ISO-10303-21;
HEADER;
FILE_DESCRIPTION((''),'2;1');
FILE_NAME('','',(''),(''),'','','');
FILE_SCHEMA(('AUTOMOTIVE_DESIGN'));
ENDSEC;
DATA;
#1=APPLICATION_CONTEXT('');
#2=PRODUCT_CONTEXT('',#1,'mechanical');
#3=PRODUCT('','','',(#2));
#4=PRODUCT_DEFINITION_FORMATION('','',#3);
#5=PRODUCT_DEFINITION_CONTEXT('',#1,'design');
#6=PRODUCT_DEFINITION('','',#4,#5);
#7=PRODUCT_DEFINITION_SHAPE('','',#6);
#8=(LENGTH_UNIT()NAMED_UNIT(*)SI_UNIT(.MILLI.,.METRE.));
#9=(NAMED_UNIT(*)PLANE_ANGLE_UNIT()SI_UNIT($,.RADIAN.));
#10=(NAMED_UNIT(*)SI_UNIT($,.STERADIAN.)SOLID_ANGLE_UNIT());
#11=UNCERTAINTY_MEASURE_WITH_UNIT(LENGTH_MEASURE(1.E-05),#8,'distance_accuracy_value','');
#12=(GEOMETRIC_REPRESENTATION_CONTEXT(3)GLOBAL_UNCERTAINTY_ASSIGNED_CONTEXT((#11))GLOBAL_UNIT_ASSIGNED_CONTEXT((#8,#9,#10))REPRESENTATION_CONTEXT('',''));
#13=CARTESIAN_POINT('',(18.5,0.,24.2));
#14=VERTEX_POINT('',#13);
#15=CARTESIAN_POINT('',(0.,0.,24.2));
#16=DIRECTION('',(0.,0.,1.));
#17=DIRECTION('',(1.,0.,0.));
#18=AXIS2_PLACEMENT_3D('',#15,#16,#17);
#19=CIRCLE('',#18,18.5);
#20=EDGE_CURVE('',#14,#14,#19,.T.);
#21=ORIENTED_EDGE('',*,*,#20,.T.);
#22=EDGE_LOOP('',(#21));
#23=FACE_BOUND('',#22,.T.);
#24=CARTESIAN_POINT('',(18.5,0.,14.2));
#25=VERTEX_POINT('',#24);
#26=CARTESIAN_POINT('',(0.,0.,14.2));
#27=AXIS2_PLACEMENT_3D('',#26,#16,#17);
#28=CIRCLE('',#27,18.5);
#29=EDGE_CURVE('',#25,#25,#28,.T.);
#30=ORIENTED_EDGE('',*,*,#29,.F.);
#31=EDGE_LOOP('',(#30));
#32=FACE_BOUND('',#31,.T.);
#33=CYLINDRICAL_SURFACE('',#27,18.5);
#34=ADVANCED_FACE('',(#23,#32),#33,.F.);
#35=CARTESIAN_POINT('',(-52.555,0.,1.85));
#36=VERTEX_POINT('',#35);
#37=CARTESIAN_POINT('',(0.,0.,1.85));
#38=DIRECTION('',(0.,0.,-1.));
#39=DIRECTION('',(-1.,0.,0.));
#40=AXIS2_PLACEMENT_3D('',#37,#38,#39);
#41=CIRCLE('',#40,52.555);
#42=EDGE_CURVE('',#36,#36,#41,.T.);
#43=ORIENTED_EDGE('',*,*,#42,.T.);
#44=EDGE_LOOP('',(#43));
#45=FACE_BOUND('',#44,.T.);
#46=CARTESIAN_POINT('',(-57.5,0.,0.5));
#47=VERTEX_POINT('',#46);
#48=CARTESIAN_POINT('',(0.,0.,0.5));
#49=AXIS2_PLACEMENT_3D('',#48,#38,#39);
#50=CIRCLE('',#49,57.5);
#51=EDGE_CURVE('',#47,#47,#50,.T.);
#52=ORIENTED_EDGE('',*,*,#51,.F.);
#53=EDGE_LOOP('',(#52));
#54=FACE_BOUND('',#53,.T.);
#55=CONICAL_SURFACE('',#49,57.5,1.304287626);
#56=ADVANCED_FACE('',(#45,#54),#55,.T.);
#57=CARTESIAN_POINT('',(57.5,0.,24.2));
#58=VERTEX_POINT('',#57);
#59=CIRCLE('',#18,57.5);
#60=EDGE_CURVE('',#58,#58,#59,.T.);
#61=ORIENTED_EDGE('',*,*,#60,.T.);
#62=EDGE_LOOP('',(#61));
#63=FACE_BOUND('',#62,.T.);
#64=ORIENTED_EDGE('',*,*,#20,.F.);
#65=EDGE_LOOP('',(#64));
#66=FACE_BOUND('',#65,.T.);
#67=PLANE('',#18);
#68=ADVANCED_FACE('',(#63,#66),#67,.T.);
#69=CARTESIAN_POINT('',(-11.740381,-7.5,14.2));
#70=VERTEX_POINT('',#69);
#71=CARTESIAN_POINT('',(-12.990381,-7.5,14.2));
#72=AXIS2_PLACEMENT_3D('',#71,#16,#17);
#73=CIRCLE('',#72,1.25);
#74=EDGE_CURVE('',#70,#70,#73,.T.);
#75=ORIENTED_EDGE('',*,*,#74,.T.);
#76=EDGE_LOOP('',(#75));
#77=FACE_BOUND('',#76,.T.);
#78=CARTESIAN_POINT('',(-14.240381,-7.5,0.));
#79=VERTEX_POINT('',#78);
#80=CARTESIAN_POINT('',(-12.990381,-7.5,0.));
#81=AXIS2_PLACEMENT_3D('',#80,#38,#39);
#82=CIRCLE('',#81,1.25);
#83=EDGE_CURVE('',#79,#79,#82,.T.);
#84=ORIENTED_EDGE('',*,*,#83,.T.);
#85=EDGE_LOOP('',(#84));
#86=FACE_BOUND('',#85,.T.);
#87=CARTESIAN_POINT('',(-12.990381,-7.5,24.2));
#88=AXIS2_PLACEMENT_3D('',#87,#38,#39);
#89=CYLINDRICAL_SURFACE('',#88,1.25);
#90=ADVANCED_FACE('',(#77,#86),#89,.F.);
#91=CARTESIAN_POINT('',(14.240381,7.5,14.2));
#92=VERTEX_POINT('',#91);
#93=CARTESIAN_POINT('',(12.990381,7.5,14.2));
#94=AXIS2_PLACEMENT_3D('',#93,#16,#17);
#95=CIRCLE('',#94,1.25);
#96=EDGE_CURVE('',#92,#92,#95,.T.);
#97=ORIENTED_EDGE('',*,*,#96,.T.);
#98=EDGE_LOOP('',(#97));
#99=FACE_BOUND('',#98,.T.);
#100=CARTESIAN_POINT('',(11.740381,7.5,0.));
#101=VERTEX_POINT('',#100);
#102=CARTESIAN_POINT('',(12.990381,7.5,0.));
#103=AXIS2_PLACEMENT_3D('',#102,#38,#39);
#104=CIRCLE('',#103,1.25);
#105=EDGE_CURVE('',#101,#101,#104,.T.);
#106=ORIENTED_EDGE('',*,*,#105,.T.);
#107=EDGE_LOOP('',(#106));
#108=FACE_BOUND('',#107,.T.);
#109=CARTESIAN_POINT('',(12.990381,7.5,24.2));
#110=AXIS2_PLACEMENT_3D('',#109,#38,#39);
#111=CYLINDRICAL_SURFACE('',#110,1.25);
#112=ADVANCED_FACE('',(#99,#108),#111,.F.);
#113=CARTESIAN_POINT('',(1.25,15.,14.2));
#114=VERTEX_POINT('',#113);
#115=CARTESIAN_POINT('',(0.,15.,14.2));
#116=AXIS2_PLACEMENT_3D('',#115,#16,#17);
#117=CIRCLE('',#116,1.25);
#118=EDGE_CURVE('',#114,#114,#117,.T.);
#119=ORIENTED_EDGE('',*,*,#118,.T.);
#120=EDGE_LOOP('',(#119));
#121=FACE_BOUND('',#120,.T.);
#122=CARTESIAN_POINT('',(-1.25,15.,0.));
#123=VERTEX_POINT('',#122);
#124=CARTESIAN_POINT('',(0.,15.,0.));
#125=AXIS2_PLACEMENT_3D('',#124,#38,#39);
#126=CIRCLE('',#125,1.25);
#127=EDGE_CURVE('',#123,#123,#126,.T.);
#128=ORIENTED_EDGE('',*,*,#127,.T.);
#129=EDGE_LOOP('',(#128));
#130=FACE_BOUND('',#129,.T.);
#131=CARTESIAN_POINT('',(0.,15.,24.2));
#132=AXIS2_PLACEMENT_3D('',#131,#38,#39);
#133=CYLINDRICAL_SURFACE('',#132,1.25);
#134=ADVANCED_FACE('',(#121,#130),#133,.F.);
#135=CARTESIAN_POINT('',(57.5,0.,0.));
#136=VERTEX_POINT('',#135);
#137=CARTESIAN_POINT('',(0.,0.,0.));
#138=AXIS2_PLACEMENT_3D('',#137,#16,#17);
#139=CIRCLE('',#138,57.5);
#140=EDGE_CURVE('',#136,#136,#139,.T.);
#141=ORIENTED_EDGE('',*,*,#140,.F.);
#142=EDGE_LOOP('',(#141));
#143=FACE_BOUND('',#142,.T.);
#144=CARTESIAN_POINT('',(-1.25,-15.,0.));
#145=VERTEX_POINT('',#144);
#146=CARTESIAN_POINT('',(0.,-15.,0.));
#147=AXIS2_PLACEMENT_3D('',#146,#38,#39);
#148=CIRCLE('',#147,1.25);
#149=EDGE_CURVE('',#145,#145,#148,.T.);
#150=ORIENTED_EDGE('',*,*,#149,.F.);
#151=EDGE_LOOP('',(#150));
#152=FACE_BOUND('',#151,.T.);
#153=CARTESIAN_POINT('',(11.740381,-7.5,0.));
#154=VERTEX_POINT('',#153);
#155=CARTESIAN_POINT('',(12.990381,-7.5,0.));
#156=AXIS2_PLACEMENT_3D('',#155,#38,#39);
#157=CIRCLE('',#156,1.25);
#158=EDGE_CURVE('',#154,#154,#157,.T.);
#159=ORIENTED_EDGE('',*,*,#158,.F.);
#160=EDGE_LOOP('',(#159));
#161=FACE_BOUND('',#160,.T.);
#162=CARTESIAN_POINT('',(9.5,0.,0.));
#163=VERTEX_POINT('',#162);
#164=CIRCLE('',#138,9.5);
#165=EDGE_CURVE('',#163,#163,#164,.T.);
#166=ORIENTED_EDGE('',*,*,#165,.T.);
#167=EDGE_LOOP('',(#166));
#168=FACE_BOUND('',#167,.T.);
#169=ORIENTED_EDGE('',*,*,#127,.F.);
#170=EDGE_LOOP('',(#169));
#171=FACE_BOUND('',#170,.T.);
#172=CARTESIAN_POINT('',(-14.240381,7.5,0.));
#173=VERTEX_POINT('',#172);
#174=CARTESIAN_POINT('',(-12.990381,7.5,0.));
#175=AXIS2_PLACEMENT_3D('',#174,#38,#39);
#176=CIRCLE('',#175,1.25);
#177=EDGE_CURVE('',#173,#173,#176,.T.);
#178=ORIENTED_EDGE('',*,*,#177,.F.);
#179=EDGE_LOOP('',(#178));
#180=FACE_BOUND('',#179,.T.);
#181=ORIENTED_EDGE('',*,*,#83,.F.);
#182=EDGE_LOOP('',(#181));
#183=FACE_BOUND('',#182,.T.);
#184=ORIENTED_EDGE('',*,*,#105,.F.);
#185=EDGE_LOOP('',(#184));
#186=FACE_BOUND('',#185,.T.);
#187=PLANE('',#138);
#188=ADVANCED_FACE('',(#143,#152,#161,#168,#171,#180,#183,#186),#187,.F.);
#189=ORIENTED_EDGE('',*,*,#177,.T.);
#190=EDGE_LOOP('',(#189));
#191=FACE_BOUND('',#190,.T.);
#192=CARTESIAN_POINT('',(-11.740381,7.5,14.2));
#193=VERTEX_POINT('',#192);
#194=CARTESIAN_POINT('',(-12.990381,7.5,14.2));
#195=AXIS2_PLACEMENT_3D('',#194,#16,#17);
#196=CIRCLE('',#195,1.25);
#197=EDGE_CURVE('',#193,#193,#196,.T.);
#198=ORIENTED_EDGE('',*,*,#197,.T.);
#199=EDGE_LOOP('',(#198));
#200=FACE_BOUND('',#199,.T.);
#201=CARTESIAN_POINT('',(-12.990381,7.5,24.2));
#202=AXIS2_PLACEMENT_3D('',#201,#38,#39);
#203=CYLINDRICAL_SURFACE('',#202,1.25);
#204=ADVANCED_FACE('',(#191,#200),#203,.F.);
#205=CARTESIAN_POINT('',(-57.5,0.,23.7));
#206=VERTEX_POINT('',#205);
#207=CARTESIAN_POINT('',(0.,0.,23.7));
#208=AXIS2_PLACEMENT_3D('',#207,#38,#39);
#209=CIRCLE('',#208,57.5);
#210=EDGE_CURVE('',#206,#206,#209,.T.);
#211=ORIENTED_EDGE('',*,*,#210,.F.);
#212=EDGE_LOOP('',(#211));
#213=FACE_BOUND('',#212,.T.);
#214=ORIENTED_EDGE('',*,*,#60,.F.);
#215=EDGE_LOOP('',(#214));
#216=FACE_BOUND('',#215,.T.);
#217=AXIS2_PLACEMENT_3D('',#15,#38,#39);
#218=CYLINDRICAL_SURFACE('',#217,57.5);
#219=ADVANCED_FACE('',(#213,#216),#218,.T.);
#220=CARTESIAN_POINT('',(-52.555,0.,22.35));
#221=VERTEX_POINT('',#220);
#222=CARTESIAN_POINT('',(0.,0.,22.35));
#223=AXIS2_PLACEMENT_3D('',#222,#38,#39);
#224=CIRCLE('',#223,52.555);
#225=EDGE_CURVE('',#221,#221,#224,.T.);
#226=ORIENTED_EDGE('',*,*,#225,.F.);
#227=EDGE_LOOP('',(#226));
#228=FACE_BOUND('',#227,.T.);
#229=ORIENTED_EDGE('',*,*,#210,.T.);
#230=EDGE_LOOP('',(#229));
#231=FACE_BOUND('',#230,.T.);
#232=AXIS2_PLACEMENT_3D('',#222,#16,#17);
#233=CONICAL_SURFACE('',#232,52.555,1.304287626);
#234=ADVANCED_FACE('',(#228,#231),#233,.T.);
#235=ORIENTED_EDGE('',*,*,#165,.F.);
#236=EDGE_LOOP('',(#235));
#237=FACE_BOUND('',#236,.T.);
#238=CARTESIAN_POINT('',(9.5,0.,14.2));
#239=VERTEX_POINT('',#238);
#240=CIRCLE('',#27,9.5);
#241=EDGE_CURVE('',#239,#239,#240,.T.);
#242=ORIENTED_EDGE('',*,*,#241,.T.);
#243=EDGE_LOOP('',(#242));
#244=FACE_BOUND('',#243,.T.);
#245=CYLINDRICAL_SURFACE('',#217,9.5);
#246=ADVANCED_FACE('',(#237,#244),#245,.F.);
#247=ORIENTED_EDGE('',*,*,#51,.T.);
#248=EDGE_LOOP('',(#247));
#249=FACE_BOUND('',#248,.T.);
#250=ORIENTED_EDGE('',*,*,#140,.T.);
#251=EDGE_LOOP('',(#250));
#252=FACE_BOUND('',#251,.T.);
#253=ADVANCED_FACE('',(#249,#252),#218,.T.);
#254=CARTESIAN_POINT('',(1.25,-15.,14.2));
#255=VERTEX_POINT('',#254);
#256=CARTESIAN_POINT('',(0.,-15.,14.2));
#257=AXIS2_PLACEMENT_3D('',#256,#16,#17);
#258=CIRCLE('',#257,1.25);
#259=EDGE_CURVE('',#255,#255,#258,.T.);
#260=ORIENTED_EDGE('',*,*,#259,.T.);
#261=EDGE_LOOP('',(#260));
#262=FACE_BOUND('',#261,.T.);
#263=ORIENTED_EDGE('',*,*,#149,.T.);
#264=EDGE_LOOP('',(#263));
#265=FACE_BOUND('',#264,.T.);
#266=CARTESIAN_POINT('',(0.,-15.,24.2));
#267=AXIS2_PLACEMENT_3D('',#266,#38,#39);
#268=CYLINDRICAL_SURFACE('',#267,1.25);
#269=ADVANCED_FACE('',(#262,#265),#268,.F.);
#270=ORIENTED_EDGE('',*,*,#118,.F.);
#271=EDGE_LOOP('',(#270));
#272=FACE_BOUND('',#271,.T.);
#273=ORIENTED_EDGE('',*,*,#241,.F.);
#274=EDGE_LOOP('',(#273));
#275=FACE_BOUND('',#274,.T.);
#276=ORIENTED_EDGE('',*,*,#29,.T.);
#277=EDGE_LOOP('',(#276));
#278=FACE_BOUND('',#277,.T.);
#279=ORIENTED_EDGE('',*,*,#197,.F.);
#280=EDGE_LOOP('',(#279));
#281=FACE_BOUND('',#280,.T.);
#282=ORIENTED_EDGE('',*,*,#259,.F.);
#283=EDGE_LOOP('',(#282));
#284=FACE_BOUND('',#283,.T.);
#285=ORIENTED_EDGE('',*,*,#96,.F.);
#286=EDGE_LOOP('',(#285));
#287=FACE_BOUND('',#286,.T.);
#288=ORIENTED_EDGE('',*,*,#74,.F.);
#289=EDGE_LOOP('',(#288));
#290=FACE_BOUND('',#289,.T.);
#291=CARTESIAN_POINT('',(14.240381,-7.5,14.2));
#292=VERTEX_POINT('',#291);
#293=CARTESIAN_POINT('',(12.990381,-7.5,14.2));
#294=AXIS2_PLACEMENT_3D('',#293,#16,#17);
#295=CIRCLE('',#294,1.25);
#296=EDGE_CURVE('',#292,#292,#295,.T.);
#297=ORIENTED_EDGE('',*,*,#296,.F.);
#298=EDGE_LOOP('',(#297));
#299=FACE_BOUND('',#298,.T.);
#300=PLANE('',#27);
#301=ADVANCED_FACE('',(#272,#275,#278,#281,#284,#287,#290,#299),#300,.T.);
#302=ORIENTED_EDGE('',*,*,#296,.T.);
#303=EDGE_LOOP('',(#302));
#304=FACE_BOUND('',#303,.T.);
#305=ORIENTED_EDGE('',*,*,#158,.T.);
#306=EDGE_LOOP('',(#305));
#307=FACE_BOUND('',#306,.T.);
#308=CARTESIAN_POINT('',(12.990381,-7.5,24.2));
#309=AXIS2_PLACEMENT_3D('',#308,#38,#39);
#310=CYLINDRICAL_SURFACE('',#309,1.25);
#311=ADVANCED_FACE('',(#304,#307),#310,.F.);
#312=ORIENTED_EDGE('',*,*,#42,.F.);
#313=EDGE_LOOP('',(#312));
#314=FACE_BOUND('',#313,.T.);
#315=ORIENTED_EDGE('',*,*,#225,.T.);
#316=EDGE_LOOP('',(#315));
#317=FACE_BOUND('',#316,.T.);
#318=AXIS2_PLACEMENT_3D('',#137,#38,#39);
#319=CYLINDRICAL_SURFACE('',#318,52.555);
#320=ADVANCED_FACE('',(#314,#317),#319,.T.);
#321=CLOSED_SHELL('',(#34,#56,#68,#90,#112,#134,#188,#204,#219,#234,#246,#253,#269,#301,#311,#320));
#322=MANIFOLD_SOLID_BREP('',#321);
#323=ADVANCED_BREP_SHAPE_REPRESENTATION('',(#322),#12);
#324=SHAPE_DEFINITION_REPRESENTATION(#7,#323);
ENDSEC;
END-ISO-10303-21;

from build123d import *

# Parameters (mm, degrees)
SKETCH_1_R          = 57.5
SKETCH_1_R_2        = 9.5
EXTRUDE_1_DEPTH     = 24.2
SKETCH_3_R          = 18.5
SKETCH_3_R_2        = 9.5
CUT_EXTRUDE_2_DEPTH = 10
SKETCH_4_R          = 1.25
CUT_EXTRUDE_3_DEPTH = 25.2


with BuildPart() as part:
    # 草圖1 → 填料-伸長1 (new body)
    with BuildSketch(Plane.XY):
        Circle(SKETCH_1_R)
        Circle(SKETCH_1_R_2, mode=Mode.SUBTRACT)
    extrude(amount=EXTRUDE_1_DEPTH)

    # 草圖3 → 除料-伸長2 (cut)
    with BuildSketch(Plane.XY.offset(24.2)):
        Circle(SKETCH_3_R)
        Circle(SKETCH_3_R_2, mode=Mode.SUBTRACT)
    extrude(amount=-CUT_EXTRUDE_2_DEPTH, mode=Mode.SUBTRACT)

    # 草圖4 → 除料-伸長3 (cut, through all)
    with BuildSketch(Plane(origin=(0, 0, 0), x_dir=(-1, 0, 0), z_dir=(0, 0, -1))):
        with Locations((0, 15)):
            Circle(SKETCH_4_R)
        with Locations((12.990381057, -7.5)):
            Circle(SKETCH_4_R)
        with Locations((-12.990381057, -7.5)):
            Circle(SKETCH_4_R)
        with Locations((12.990381057, 7.5)):
            Circle(SKETCH_4_R)
        with Locations((0, -15)):
            Circle(SKETCH_4_R)
        with Locations((-12.990381057, 7.5)):
            Circle(SKETCH_4_R)
    extrude(amount=-CUT_EXTRUDE_3_DEPTH, mode=Mode.SUBTRACT)

    # 草圖5 → 除料-旋轉1 (revolve, cut)
    with BuildSketch(Plane(origin=(0, 0, 0), x_dir=(1, 0, 0), z_dir=(0, 1, 0))):
        Polygon((57.5, -23.7), (52.555, -22.35), (52.555, -1.85), (57.5, -0.5), align=None)
    revolve(axis=Axis((0, 0, 0), (0, 0, 1)), mode=Mode.SUBTRACT)


solid = part.part
